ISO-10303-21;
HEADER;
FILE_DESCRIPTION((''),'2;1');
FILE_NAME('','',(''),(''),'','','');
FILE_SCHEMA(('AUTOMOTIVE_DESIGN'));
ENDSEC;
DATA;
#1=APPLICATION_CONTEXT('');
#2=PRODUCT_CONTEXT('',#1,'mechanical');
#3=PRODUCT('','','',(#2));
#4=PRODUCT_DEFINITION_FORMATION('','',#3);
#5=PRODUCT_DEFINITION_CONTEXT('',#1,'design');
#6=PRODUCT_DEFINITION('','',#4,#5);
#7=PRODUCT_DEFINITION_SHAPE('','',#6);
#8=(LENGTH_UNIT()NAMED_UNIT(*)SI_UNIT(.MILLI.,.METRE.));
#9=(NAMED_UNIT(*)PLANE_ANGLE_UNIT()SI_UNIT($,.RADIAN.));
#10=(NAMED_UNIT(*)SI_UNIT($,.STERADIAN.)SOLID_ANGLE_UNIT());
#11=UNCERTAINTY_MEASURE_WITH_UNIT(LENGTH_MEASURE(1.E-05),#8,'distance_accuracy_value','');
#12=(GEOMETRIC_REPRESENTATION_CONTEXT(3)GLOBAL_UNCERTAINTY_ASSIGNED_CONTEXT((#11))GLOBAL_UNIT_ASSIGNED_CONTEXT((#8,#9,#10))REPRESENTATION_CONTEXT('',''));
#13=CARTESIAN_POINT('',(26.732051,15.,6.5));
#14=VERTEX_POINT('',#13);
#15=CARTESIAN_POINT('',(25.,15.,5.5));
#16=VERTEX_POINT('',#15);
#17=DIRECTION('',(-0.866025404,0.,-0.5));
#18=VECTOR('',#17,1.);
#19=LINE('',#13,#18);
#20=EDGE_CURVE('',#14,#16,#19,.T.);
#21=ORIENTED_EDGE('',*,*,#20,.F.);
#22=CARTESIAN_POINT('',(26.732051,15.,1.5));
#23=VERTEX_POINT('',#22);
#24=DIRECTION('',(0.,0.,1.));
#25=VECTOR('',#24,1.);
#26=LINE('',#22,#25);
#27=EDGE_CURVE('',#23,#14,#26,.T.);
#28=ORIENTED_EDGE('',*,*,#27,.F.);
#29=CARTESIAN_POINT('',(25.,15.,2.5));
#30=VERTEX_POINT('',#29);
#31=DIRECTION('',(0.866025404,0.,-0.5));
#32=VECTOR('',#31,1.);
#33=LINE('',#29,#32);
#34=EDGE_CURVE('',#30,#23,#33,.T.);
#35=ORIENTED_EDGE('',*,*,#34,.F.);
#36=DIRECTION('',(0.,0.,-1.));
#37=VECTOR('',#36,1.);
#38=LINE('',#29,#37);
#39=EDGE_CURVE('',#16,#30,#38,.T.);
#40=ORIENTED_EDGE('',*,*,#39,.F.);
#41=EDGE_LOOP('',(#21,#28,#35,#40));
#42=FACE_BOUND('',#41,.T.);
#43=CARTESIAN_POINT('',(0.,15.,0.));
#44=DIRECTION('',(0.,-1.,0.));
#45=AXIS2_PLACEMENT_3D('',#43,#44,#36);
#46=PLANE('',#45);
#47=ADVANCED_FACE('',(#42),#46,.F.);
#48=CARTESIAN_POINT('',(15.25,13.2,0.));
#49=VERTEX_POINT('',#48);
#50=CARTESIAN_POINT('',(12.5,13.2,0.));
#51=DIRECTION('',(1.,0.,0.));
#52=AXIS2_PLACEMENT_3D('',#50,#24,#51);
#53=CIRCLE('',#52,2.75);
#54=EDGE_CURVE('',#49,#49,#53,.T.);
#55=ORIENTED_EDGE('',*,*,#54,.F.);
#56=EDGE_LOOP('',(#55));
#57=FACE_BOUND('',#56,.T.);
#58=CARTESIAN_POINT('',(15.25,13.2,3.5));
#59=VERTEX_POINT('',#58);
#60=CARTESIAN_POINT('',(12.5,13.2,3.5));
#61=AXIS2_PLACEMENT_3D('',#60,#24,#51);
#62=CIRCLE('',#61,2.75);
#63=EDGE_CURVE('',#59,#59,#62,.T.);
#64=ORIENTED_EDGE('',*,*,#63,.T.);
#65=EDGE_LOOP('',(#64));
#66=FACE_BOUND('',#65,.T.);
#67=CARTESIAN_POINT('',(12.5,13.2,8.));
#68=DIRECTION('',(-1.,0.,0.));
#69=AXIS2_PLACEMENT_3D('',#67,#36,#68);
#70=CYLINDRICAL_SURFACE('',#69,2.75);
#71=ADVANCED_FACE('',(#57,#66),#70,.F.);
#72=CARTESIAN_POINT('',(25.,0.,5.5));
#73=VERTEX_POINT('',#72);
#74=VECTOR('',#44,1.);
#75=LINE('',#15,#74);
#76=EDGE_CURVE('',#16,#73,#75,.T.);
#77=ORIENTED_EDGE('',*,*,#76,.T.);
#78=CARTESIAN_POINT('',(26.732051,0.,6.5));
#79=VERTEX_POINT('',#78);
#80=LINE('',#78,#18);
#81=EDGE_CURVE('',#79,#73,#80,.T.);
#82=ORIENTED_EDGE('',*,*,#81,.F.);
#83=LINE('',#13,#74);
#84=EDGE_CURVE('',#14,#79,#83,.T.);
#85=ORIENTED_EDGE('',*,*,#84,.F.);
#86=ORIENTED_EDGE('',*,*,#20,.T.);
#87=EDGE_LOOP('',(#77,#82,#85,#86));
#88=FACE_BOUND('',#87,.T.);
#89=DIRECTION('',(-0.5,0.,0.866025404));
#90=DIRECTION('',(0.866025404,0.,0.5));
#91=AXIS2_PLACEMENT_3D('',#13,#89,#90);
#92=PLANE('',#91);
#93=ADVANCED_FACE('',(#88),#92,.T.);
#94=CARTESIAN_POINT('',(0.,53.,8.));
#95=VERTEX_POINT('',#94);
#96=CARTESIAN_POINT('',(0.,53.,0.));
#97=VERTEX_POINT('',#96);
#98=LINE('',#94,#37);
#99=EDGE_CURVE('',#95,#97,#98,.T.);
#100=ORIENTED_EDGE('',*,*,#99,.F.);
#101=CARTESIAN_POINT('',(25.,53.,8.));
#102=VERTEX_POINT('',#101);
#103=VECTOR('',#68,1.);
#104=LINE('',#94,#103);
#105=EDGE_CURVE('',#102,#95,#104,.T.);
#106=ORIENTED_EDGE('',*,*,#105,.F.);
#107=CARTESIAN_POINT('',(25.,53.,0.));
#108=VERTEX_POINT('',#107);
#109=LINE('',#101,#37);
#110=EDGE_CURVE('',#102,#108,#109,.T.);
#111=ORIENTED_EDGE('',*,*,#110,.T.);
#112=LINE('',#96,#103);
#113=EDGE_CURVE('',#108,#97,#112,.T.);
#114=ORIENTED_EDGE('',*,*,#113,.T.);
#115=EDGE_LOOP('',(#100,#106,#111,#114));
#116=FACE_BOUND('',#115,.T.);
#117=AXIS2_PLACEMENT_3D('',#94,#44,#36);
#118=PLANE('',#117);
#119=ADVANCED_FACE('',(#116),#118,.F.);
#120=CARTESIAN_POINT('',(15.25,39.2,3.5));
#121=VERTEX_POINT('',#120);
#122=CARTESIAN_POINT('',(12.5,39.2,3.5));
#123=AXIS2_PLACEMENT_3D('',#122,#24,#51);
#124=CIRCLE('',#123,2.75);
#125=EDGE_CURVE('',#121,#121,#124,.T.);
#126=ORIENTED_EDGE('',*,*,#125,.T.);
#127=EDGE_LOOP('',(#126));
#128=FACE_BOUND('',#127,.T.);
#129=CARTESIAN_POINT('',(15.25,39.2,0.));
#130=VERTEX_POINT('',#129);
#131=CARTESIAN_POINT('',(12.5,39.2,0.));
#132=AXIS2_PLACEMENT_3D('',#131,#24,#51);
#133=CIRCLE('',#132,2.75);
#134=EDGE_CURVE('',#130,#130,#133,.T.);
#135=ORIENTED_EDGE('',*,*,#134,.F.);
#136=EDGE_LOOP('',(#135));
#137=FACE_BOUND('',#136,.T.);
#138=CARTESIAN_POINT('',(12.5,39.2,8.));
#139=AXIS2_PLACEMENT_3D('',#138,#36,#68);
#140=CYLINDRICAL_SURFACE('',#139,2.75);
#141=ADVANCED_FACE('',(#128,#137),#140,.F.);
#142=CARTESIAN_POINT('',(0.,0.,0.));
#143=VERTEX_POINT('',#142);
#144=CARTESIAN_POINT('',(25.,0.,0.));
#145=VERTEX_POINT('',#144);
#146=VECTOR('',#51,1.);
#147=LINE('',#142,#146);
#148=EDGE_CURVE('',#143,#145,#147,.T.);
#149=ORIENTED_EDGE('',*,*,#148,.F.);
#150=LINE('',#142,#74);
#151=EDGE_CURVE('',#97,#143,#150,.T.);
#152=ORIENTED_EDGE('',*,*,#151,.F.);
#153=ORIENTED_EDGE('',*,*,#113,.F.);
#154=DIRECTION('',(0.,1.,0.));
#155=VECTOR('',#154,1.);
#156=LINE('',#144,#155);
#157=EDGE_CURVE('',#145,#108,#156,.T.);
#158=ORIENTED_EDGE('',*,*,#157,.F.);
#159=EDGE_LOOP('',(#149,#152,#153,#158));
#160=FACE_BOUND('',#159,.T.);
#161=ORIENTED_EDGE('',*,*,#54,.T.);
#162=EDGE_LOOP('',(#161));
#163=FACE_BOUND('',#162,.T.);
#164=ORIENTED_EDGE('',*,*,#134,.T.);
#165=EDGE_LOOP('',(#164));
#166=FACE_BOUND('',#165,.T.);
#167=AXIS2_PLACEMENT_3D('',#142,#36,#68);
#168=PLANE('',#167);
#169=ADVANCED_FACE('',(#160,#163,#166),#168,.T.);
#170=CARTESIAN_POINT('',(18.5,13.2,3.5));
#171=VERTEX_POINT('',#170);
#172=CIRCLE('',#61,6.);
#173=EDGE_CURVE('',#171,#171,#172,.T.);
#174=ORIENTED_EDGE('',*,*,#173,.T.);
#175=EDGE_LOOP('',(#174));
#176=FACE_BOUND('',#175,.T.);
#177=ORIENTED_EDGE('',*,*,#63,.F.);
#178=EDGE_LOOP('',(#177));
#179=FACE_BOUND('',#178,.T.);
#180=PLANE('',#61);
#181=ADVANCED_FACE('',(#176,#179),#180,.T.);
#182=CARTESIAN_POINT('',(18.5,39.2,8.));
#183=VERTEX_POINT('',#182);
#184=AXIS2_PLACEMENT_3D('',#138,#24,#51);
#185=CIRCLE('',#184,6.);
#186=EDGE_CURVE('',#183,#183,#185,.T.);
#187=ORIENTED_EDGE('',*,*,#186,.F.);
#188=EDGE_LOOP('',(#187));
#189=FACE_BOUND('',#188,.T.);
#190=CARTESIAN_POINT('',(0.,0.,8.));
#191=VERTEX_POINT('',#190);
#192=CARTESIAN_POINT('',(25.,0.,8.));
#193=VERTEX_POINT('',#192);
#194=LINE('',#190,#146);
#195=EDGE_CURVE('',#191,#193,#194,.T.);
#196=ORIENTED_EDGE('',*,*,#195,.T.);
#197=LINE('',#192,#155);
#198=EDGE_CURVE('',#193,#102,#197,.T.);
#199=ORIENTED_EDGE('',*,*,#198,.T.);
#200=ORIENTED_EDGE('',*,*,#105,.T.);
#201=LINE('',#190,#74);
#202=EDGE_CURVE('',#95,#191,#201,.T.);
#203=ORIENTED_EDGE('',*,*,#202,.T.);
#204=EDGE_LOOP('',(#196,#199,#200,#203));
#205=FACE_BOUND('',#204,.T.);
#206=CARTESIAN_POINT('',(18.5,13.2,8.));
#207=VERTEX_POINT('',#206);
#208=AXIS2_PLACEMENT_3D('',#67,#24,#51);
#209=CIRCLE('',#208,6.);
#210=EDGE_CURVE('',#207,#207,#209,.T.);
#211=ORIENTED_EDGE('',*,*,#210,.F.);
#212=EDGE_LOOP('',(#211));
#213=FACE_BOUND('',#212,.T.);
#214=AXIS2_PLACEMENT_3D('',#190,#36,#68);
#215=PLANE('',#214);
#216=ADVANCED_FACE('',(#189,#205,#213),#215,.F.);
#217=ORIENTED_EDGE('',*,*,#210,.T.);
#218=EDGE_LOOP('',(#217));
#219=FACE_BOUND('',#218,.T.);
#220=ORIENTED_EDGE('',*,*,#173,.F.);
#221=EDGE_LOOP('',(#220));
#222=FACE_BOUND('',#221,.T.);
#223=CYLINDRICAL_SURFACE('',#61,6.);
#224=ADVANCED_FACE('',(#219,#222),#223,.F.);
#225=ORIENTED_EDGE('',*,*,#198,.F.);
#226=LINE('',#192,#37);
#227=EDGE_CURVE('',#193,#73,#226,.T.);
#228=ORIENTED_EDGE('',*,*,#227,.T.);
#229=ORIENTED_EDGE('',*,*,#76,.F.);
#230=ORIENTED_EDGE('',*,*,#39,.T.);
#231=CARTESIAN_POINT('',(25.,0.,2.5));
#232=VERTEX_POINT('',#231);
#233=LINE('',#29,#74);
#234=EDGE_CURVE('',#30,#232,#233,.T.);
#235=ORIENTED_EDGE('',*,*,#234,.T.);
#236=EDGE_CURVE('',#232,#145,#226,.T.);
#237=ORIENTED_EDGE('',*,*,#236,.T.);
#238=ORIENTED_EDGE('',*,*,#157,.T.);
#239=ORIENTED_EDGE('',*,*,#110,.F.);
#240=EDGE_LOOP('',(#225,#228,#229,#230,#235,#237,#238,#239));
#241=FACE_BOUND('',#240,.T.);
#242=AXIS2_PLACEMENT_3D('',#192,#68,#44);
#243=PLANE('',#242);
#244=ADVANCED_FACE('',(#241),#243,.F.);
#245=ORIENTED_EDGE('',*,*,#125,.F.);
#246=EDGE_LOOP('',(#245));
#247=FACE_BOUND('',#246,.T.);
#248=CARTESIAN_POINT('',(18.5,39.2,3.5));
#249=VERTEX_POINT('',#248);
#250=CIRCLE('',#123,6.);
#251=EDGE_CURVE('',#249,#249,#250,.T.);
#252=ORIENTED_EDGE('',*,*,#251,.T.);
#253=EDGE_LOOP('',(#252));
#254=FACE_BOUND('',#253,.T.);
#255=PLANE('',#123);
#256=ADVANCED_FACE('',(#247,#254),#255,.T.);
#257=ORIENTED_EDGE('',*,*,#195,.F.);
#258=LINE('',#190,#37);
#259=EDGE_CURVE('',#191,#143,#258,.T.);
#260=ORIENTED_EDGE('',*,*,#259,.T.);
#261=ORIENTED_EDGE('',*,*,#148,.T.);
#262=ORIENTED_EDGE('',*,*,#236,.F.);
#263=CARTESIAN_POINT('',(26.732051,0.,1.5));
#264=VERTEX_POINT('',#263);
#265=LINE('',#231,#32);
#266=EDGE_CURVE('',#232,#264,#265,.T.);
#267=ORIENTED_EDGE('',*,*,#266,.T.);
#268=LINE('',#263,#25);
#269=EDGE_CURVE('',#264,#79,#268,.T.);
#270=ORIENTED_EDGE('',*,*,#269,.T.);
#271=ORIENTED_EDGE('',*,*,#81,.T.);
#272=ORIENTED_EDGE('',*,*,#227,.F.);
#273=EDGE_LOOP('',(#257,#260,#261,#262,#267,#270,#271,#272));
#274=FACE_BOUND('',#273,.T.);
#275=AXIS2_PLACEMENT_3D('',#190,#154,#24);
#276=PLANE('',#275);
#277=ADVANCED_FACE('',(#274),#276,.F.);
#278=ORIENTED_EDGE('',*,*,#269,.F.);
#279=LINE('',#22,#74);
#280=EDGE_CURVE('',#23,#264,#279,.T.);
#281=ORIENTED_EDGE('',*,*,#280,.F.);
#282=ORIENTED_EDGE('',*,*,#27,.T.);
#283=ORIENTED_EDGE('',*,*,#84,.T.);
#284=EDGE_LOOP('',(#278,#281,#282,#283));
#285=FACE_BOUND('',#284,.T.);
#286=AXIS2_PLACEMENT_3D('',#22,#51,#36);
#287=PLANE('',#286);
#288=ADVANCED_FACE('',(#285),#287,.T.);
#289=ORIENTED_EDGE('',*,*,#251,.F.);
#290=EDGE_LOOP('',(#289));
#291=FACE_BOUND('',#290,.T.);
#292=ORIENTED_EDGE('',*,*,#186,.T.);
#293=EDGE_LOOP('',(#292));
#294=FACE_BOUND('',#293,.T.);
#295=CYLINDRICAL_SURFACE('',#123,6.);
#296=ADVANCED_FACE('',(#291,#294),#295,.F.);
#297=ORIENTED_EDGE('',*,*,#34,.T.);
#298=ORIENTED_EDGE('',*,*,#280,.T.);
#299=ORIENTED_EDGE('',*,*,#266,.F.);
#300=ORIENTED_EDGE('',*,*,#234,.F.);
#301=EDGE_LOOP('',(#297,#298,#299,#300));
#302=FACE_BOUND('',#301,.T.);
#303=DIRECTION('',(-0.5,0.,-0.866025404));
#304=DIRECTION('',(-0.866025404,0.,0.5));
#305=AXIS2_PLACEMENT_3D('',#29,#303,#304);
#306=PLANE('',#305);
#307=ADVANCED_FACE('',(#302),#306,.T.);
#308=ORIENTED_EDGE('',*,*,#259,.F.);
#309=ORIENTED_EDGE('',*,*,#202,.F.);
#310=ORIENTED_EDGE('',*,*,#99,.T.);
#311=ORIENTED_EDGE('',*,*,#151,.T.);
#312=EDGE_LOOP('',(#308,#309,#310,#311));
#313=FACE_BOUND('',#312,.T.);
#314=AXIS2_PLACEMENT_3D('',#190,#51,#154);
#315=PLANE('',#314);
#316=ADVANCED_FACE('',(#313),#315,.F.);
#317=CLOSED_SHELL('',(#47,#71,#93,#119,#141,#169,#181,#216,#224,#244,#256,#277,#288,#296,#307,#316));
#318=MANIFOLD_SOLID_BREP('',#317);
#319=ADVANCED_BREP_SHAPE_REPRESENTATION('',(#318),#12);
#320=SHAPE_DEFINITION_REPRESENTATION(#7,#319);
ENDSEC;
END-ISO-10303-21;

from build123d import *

# Parameters (mm, degrees)
SKETCH2_W           = 25
SKETCH2_H           = 53
SKETCH2_R           = 2.75
BOSS_EXTRUDE1_DEPTH = 8
BOSS_EXTRUDE2_DEPTH = 15
SKETCH4_R           = 6
CUT_EXTRUDE1_DEPTH  = 4.5


with BuildPart() as part:
    # Sketch2 → Boss-Extrude1 (new body)
    with BuildSketch(Plane.XY):
        with Locations((12.5, 26.5)):
            Rectangle(SKETCH2_W, SKETCH2_H)
        with Locations((12.5, 39.2)):
            Circle(SKETCH2_R, mode=Mode.SUBTRACT)
        with Locations((12.5, 13.2)):
            Circle(SKETCH2_R, mode=Mode.SUBTRACT)
    extrude(amount=BOSS_EXTRUDE1_DEPTH)

    # Sketch3 → Boss-Extrude2 (add)
    with BuildSketch(Plane.XZ):
        Polygon((25, 2.5), (26.732050808, 1.5), (26.732050808, 6.5), (25, 5.5), align=None)
    extrude(amount=-BOSS_EXTRUDE2_DEPTH)

    # Sketch4 → Cut-Extrude1 (cut)
    with BuildSketch(Plane.XY.offset(8)):
        with Locations((12.5, 39.2)):
            Circle(SKETCH4_R)
        with Locations((12.5, 13.2)):
            Circle(SKETCH4_R)
    extrude(amount=-CUT_EXTRUDE1_DEPTH, mode=Mode.SUBTRACT)


solid = part.part
